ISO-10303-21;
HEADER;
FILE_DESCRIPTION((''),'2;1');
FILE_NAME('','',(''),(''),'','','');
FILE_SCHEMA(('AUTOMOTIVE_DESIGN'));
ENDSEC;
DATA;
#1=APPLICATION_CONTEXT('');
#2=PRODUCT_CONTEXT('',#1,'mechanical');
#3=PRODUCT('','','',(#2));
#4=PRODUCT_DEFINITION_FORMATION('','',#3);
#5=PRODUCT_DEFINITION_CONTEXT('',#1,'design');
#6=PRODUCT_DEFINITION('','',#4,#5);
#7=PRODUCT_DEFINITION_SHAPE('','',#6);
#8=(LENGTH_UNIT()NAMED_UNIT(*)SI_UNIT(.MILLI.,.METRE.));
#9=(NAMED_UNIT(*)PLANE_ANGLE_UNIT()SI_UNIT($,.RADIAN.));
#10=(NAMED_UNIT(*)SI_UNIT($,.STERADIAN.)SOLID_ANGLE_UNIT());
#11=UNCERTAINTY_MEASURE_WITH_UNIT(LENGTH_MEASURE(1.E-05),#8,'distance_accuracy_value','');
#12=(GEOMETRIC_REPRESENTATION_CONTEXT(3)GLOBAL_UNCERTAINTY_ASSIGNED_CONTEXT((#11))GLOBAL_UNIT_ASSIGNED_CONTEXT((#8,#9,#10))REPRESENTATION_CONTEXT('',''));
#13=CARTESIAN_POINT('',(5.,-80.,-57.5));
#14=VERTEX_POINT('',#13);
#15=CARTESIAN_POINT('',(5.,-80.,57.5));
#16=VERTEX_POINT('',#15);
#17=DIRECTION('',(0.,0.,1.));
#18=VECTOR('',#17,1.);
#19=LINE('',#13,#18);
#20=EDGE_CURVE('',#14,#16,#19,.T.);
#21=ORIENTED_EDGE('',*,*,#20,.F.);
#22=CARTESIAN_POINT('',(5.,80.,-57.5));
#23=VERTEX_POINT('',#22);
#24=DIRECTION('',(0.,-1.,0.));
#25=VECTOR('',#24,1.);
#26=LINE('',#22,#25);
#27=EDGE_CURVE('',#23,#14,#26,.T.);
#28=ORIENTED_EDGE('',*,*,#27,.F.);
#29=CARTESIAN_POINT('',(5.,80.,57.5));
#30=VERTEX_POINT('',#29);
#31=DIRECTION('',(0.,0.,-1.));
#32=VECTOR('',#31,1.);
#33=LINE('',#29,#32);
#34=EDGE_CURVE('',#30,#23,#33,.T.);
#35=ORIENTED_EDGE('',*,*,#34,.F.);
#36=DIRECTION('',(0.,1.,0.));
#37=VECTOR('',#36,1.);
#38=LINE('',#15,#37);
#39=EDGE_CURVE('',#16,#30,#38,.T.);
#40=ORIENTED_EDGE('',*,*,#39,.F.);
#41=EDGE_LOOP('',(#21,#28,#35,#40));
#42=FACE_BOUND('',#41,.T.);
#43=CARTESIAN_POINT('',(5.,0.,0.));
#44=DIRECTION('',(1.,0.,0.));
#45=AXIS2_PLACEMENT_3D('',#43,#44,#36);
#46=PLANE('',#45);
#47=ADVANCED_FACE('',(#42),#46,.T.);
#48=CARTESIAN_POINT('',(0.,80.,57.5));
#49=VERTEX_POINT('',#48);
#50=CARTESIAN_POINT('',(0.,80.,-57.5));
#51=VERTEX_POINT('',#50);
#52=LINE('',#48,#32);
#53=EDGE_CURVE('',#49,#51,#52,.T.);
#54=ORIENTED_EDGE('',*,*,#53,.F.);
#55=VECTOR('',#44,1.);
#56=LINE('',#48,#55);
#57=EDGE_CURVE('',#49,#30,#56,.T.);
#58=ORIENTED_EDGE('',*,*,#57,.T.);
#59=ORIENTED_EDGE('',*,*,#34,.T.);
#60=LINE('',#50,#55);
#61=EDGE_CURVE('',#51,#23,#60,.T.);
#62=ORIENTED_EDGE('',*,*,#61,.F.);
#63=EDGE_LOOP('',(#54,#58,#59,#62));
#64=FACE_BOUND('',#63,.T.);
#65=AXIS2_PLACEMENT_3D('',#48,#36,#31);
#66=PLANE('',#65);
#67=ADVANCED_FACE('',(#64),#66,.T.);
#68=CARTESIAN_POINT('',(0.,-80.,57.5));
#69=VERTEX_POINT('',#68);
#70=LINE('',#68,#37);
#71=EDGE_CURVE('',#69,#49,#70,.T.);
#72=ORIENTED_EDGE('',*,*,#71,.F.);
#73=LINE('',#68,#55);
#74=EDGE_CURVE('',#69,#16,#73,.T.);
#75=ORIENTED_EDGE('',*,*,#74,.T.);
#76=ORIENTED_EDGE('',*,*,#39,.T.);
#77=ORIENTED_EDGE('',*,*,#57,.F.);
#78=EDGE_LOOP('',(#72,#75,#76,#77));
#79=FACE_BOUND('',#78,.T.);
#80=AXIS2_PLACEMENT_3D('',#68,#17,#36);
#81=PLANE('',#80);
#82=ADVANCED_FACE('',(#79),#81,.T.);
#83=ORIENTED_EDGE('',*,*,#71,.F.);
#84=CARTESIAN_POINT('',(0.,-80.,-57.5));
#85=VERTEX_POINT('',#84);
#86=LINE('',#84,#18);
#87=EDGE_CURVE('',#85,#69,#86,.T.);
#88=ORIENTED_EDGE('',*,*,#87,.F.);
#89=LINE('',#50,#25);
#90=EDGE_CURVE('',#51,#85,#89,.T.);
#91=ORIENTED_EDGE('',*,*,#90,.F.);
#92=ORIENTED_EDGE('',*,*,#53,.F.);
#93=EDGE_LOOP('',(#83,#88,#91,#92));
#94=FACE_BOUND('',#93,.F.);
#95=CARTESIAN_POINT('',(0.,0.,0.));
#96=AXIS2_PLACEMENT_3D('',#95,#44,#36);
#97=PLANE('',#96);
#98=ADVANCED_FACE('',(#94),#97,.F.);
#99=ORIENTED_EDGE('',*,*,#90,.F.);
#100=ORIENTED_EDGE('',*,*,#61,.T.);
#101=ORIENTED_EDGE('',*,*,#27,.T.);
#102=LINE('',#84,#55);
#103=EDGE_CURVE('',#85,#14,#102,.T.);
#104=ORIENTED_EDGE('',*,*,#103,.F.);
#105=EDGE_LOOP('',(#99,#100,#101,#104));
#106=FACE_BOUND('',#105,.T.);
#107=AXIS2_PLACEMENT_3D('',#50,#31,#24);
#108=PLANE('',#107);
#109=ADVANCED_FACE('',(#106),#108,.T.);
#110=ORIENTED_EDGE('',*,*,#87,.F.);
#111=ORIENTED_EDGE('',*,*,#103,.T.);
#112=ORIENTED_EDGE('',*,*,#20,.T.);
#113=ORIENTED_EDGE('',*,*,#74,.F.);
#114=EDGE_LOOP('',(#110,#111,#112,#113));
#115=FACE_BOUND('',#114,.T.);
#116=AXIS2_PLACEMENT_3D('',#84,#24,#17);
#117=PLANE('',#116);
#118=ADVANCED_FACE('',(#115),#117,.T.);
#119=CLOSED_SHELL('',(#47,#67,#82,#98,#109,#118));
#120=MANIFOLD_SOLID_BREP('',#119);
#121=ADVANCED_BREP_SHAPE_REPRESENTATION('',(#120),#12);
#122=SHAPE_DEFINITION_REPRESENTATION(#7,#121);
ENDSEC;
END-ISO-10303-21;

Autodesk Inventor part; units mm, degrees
ref_plane "YZ Plane" through (0, 0, 0) normal (1, 0, 0) x (0, 1, 0)
ref_plane "XZ Plane" through (0, 0, 0) normal (0, 1, 0) x (-1, 0, 0)
ref_plane "XY Plane" through (0, 0, 0) normal (0, 0, 1) x (1, 0, 0)
sketch "Sketch1" plane through (0, 0, 0) normal (1, 0, 0) x (0, 1, 0)
  line L0 (-80, 57.5) -> (80, 57.5)
  line L1 (80, 57.5) -> (80, -57.5)
  line L2 (80, -57.5) -> (-80, -57.5)
  line L3 (-80, -57.5) -> (-80, 57.5)
  line L4 (-80, 57.5) -> (80, -57.5) construction
  line L5 (80, 57.5) -> (-80, -57.5) construction
  point P0 (0, 0)
  dimension "d0" = 160
  dimension "d1" = 115
extrude "Extrusion1" add sketch "Sketch1" along normal blind 5
properties part number "Compartment Division" material "Pine, Southern"
